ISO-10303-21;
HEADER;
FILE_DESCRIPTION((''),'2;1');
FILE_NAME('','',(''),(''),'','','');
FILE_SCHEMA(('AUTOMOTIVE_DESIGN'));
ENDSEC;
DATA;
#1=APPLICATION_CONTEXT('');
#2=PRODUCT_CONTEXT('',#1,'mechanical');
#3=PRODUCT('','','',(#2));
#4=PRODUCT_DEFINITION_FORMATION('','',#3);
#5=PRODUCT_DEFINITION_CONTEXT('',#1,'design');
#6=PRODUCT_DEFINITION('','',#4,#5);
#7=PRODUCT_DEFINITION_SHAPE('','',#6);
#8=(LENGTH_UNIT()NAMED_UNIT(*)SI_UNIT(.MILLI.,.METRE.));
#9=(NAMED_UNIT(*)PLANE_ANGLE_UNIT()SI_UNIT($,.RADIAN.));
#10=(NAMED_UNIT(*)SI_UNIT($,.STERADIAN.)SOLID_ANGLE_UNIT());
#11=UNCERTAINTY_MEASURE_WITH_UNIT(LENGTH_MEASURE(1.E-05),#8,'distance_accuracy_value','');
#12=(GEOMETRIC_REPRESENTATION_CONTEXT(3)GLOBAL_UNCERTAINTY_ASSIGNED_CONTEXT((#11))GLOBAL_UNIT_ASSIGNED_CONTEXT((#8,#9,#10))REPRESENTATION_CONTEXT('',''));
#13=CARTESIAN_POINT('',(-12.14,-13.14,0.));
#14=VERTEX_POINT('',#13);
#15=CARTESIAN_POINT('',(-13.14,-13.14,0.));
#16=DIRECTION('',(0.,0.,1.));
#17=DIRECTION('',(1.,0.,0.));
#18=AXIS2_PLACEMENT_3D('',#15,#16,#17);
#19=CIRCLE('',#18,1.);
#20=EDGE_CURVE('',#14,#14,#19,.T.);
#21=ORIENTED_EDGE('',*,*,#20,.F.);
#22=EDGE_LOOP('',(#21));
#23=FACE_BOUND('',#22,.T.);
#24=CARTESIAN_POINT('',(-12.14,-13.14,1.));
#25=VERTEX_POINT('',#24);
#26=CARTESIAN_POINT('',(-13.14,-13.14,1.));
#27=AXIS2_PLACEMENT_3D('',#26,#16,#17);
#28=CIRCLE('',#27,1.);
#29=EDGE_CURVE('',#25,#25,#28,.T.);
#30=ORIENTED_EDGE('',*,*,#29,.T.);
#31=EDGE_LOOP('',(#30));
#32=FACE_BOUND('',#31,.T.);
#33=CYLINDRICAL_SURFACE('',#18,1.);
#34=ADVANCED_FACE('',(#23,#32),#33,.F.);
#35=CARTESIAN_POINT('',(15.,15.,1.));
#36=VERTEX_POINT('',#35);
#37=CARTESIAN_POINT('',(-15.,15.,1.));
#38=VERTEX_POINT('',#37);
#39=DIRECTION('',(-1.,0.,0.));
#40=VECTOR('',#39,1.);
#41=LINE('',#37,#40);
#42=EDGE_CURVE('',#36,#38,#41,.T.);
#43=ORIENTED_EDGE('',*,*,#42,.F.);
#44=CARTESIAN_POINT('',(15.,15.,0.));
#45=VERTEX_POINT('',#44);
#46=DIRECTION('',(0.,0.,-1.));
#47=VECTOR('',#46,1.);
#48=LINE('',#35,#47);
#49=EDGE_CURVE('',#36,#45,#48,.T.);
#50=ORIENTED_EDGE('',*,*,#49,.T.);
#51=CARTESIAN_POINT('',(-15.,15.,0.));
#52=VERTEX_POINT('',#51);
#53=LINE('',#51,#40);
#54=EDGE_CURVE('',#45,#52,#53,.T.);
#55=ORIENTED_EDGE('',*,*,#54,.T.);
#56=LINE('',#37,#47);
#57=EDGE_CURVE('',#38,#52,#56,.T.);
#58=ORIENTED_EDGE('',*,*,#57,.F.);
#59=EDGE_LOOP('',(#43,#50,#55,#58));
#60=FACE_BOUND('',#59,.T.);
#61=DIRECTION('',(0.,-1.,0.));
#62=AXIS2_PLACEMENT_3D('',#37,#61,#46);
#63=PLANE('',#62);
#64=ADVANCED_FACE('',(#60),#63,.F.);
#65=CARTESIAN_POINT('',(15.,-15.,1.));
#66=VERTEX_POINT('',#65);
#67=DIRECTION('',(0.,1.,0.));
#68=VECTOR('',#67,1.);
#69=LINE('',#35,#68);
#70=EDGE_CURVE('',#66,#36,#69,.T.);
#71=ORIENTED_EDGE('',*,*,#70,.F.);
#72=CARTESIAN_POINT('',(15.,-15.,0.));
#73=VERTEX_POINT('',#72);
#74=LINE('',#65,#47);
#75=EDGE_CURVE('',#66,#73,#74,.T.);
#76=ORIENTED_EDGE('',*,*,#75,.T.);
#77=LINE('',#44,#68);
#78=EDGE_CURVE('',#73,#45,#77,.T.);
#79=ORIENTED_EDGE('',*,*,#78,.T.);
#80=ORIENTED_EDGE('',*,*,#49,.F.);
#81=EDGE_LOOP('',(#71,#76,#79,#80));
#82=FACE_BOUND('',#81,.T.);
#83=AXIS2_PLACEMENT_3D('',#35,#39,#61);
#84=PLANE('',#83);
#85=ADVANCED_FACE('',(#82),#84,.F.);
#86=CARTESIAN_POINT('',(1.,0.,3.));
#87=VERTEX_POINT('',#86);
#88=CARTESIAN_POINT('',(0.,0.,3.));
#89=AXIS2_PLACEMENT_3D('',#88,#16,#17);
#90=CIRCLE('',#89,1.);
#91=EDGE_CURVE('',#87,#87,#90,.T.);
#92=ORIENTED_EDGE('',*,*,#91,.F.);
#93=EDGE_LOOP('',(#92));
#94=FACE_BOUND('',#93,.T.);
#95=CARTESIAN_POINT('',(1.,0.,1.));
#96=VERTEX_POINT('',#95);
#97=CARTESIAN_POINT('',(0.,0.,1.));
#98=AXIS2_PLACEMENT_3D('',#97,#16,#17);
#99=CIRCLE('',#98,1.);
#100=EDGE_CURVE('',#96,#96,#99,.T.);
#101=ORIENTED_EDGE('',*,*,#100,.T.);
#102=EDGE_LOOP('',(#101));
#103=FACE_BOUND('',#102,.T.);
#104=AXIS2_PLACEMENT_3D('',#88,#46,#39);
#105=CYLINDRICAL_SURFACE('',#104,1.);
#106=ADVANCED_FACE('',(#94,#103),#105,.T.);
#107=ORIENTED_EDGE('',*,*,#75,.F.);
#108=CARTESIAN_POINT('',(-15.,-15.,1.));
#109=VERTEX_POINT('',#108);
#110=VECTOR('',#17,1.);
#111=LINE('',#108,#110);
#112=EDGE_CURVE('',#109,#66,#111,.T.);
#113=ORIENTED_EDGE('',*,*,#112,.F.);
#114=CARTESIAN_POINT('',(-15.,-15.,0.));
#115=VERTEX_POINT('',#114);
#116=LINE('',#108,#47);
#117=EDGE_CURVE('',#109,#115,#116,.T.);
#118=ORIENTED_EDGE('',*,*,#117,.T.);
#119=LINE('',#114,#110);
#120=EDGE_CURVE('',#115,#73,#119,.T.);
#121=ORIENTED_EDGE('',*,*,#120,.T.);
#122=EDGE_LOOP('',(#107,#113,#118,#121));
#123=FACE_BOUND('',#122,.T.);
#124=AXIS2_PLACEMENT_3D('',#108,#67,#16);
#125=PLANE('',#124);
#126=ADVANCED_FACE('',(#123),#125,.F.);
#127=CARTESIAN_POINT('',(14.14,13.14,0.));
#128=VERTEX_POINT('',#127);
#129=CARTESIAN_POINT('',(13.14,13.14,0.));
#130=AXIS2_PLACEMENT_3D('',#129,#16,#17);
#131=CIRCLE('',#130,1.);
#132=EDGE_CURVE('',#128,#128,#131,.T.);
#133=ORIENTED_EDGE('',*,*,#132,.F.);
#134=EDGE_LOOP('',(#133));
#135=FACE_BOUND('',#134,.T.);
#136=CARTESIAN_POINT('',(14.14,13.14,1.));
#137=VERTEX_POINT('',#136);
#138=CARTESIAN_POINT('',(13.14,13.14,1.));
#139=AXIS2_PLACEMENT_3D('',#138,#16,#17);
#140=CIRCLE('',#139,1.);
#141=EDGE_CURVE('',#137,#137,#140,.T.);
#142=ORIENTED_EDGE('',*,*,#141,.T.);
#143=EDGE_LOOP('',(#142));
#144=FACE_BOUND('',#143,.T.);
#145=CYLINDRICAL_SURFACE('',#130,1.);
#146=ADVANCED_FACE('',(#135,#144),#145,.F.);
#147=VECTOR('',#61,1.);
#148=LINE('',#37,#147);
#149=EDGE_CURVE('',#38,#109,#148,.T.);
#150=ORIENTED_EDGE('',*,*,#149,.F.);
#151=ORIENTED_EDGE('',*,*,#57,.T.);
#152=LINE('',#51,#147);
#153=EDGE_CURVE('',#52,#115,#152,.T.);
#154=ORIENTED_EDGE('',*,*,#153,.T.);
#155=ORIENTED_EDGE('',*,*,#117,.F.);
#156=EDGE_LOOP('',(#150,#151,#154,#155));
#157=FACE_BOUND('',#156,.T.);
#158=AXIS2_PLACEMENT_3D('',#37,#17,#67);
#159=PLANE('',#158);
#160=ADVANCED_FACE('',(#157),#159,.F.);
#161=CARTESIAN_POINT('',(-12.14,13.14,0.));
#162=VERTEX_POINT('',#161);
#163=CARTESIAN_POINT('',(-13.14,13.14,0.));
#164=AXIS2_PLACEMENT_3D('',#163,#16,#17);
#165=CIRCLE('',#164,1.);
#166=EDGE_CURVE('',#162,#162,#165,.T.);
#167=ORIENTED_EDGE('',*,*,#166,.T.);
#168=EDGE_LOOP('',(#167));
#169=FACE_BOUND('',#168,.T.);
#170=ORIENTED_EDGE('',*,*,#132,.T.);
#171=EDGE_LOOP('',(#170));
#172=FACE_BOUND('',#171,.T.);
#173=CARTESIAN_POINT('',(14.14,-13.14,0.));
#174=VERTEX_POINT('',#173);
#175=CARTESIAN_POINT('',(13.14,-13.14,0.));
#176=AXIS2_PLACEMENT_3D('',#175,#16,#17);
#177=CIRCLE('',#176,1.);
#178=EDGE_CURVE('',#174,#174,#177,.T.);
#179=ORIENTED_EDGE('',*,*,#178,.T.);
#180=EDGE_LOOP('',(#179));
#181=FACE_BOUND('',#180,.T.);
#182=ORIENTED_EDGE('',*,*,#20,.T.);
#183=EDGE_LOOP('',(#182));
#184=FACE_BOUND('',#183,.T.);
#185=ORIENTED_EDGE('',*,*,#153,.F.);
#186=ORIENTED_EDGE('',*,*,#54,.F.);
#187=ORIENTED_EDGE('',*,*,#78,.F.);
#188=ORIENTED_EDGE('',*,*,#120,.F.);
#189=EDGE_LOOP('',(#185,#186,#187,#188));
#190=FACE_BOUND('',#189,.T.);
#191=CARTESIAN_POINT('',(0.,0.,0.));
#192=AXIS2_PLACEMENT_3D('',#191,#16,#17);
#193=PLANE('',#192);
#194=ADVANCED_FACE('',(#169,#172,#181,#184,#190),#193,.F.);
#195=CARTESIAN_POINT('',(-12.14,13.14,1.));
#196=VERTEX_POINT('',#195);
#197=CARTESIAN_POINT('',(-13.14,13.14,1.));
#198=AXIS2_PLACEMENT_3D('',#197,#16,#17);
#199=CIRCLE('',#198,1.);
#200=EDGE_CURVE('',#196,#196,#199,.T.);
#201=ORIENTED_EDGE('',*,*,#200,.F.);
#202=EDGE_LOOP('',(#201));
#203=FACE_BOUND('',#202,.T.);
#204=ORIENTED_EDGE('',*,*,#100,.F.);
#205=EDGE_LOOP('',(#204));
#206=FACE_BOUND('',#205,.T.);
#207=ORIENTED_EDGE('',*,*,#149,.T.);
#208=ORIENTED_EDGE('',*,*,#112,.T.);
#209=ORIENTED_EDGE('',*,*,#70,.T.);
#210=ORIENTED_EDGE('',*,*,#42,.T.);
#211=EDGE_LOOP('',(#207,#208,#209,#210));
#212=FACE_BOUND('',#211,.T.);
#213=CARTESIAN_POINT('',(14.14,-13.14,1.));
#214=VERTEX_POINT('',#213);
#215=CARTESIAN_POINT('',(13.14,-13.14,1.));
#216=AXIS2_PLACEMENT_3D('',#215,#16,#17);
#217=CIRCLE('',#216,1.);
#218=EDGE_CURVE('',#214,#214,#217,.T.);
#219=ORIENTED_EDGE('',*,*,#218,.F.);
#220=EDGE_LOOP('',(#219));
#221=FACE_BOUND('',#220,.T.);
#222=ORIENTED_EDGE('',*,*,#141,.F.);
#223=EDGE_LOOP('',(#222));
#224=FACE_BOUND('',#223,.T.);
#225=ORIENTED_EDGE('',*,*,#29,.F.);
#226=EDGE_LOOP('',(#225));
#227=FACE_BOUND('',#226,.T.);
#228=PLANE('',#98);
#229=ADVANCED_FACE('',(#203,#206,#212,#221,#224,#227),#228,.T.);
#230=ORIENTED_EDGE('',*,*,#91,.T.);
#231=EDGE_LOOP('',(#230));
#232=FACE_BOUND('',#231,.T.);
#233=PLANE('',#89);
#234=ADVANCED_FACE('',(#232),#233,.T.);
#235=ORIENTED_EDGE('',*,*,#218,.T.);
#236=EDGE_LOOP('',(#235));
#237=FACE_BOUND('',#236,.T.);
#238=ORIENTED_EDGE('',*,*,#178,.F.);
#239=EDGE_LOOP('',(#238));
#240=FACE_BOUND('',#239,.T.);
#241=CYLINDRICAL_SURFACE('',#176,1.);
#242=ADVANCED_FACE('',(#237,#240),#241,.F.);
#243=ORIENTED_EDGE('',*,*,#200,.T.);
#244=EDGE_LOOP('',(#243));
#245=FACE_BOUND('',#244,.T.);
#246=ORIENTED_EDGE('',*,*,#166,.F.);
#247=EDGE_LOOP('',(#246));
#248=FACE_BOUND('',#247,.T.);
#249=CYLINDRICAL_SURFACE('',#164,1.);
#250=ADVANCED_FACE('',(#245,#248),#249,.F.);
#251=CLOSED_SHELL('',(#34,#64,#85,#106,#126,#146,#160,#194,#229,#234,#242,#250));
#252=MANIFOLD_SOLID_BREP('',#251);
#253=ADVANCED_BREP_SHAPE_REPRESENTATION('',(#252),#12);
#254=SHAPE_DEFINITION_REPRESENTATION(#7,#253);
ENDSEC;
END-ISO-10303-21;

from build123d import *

# Parameters (mm, degrees)
SKETCH1_W           = 30
SKETCH1_H           = 30
BOSS_EXTRUDE1_DEPTH = 1
SKETCH2_R           = 1
CUT_EXTRUDE1_DEPTH  = 2
SKETCH3_R           = 1
BOSS_EXTRUDE2_DEPTH = 2


with BuildPart() as part:
    # Sketch1 → Boss-Extrude1 (new body)
    with BuildSketch(Plane.XY):
        Rectangle(SKETCH1_W, SKETCH1_H)
    extrude(amount=BOSS_EXTRUDE1_DEPTH)

    # Sketch2 → Cut-Extrude1 (cut, through all)
    with BuildSketch(Plane.XY.offset(1)):
        with Locations((-13.14, 13.14)):
            Circle(SKETCH2_R)
        with Locations((13.14, 13.14)):
            Circle(SKETCH2_R)
        with Locations((13.14, -13.14)):
            Circle(SKETCH2_R)
        with Locations((-13.14, -13.14)):
            Circle(SKETCH2_R)
    extrude(amount=-CUT_EXTRUDE1_DEPTH, mode=Mode.SUBTRACT)

    # Sketch3 → Boss-Extrude2 (add)
    with BuildSketch(Plane.XY.offset(1)):
        Circle(SKETCH3_R)
    extrude(amount=BOSS_EXTRUDE2_DEPTH)


solid = part.part
